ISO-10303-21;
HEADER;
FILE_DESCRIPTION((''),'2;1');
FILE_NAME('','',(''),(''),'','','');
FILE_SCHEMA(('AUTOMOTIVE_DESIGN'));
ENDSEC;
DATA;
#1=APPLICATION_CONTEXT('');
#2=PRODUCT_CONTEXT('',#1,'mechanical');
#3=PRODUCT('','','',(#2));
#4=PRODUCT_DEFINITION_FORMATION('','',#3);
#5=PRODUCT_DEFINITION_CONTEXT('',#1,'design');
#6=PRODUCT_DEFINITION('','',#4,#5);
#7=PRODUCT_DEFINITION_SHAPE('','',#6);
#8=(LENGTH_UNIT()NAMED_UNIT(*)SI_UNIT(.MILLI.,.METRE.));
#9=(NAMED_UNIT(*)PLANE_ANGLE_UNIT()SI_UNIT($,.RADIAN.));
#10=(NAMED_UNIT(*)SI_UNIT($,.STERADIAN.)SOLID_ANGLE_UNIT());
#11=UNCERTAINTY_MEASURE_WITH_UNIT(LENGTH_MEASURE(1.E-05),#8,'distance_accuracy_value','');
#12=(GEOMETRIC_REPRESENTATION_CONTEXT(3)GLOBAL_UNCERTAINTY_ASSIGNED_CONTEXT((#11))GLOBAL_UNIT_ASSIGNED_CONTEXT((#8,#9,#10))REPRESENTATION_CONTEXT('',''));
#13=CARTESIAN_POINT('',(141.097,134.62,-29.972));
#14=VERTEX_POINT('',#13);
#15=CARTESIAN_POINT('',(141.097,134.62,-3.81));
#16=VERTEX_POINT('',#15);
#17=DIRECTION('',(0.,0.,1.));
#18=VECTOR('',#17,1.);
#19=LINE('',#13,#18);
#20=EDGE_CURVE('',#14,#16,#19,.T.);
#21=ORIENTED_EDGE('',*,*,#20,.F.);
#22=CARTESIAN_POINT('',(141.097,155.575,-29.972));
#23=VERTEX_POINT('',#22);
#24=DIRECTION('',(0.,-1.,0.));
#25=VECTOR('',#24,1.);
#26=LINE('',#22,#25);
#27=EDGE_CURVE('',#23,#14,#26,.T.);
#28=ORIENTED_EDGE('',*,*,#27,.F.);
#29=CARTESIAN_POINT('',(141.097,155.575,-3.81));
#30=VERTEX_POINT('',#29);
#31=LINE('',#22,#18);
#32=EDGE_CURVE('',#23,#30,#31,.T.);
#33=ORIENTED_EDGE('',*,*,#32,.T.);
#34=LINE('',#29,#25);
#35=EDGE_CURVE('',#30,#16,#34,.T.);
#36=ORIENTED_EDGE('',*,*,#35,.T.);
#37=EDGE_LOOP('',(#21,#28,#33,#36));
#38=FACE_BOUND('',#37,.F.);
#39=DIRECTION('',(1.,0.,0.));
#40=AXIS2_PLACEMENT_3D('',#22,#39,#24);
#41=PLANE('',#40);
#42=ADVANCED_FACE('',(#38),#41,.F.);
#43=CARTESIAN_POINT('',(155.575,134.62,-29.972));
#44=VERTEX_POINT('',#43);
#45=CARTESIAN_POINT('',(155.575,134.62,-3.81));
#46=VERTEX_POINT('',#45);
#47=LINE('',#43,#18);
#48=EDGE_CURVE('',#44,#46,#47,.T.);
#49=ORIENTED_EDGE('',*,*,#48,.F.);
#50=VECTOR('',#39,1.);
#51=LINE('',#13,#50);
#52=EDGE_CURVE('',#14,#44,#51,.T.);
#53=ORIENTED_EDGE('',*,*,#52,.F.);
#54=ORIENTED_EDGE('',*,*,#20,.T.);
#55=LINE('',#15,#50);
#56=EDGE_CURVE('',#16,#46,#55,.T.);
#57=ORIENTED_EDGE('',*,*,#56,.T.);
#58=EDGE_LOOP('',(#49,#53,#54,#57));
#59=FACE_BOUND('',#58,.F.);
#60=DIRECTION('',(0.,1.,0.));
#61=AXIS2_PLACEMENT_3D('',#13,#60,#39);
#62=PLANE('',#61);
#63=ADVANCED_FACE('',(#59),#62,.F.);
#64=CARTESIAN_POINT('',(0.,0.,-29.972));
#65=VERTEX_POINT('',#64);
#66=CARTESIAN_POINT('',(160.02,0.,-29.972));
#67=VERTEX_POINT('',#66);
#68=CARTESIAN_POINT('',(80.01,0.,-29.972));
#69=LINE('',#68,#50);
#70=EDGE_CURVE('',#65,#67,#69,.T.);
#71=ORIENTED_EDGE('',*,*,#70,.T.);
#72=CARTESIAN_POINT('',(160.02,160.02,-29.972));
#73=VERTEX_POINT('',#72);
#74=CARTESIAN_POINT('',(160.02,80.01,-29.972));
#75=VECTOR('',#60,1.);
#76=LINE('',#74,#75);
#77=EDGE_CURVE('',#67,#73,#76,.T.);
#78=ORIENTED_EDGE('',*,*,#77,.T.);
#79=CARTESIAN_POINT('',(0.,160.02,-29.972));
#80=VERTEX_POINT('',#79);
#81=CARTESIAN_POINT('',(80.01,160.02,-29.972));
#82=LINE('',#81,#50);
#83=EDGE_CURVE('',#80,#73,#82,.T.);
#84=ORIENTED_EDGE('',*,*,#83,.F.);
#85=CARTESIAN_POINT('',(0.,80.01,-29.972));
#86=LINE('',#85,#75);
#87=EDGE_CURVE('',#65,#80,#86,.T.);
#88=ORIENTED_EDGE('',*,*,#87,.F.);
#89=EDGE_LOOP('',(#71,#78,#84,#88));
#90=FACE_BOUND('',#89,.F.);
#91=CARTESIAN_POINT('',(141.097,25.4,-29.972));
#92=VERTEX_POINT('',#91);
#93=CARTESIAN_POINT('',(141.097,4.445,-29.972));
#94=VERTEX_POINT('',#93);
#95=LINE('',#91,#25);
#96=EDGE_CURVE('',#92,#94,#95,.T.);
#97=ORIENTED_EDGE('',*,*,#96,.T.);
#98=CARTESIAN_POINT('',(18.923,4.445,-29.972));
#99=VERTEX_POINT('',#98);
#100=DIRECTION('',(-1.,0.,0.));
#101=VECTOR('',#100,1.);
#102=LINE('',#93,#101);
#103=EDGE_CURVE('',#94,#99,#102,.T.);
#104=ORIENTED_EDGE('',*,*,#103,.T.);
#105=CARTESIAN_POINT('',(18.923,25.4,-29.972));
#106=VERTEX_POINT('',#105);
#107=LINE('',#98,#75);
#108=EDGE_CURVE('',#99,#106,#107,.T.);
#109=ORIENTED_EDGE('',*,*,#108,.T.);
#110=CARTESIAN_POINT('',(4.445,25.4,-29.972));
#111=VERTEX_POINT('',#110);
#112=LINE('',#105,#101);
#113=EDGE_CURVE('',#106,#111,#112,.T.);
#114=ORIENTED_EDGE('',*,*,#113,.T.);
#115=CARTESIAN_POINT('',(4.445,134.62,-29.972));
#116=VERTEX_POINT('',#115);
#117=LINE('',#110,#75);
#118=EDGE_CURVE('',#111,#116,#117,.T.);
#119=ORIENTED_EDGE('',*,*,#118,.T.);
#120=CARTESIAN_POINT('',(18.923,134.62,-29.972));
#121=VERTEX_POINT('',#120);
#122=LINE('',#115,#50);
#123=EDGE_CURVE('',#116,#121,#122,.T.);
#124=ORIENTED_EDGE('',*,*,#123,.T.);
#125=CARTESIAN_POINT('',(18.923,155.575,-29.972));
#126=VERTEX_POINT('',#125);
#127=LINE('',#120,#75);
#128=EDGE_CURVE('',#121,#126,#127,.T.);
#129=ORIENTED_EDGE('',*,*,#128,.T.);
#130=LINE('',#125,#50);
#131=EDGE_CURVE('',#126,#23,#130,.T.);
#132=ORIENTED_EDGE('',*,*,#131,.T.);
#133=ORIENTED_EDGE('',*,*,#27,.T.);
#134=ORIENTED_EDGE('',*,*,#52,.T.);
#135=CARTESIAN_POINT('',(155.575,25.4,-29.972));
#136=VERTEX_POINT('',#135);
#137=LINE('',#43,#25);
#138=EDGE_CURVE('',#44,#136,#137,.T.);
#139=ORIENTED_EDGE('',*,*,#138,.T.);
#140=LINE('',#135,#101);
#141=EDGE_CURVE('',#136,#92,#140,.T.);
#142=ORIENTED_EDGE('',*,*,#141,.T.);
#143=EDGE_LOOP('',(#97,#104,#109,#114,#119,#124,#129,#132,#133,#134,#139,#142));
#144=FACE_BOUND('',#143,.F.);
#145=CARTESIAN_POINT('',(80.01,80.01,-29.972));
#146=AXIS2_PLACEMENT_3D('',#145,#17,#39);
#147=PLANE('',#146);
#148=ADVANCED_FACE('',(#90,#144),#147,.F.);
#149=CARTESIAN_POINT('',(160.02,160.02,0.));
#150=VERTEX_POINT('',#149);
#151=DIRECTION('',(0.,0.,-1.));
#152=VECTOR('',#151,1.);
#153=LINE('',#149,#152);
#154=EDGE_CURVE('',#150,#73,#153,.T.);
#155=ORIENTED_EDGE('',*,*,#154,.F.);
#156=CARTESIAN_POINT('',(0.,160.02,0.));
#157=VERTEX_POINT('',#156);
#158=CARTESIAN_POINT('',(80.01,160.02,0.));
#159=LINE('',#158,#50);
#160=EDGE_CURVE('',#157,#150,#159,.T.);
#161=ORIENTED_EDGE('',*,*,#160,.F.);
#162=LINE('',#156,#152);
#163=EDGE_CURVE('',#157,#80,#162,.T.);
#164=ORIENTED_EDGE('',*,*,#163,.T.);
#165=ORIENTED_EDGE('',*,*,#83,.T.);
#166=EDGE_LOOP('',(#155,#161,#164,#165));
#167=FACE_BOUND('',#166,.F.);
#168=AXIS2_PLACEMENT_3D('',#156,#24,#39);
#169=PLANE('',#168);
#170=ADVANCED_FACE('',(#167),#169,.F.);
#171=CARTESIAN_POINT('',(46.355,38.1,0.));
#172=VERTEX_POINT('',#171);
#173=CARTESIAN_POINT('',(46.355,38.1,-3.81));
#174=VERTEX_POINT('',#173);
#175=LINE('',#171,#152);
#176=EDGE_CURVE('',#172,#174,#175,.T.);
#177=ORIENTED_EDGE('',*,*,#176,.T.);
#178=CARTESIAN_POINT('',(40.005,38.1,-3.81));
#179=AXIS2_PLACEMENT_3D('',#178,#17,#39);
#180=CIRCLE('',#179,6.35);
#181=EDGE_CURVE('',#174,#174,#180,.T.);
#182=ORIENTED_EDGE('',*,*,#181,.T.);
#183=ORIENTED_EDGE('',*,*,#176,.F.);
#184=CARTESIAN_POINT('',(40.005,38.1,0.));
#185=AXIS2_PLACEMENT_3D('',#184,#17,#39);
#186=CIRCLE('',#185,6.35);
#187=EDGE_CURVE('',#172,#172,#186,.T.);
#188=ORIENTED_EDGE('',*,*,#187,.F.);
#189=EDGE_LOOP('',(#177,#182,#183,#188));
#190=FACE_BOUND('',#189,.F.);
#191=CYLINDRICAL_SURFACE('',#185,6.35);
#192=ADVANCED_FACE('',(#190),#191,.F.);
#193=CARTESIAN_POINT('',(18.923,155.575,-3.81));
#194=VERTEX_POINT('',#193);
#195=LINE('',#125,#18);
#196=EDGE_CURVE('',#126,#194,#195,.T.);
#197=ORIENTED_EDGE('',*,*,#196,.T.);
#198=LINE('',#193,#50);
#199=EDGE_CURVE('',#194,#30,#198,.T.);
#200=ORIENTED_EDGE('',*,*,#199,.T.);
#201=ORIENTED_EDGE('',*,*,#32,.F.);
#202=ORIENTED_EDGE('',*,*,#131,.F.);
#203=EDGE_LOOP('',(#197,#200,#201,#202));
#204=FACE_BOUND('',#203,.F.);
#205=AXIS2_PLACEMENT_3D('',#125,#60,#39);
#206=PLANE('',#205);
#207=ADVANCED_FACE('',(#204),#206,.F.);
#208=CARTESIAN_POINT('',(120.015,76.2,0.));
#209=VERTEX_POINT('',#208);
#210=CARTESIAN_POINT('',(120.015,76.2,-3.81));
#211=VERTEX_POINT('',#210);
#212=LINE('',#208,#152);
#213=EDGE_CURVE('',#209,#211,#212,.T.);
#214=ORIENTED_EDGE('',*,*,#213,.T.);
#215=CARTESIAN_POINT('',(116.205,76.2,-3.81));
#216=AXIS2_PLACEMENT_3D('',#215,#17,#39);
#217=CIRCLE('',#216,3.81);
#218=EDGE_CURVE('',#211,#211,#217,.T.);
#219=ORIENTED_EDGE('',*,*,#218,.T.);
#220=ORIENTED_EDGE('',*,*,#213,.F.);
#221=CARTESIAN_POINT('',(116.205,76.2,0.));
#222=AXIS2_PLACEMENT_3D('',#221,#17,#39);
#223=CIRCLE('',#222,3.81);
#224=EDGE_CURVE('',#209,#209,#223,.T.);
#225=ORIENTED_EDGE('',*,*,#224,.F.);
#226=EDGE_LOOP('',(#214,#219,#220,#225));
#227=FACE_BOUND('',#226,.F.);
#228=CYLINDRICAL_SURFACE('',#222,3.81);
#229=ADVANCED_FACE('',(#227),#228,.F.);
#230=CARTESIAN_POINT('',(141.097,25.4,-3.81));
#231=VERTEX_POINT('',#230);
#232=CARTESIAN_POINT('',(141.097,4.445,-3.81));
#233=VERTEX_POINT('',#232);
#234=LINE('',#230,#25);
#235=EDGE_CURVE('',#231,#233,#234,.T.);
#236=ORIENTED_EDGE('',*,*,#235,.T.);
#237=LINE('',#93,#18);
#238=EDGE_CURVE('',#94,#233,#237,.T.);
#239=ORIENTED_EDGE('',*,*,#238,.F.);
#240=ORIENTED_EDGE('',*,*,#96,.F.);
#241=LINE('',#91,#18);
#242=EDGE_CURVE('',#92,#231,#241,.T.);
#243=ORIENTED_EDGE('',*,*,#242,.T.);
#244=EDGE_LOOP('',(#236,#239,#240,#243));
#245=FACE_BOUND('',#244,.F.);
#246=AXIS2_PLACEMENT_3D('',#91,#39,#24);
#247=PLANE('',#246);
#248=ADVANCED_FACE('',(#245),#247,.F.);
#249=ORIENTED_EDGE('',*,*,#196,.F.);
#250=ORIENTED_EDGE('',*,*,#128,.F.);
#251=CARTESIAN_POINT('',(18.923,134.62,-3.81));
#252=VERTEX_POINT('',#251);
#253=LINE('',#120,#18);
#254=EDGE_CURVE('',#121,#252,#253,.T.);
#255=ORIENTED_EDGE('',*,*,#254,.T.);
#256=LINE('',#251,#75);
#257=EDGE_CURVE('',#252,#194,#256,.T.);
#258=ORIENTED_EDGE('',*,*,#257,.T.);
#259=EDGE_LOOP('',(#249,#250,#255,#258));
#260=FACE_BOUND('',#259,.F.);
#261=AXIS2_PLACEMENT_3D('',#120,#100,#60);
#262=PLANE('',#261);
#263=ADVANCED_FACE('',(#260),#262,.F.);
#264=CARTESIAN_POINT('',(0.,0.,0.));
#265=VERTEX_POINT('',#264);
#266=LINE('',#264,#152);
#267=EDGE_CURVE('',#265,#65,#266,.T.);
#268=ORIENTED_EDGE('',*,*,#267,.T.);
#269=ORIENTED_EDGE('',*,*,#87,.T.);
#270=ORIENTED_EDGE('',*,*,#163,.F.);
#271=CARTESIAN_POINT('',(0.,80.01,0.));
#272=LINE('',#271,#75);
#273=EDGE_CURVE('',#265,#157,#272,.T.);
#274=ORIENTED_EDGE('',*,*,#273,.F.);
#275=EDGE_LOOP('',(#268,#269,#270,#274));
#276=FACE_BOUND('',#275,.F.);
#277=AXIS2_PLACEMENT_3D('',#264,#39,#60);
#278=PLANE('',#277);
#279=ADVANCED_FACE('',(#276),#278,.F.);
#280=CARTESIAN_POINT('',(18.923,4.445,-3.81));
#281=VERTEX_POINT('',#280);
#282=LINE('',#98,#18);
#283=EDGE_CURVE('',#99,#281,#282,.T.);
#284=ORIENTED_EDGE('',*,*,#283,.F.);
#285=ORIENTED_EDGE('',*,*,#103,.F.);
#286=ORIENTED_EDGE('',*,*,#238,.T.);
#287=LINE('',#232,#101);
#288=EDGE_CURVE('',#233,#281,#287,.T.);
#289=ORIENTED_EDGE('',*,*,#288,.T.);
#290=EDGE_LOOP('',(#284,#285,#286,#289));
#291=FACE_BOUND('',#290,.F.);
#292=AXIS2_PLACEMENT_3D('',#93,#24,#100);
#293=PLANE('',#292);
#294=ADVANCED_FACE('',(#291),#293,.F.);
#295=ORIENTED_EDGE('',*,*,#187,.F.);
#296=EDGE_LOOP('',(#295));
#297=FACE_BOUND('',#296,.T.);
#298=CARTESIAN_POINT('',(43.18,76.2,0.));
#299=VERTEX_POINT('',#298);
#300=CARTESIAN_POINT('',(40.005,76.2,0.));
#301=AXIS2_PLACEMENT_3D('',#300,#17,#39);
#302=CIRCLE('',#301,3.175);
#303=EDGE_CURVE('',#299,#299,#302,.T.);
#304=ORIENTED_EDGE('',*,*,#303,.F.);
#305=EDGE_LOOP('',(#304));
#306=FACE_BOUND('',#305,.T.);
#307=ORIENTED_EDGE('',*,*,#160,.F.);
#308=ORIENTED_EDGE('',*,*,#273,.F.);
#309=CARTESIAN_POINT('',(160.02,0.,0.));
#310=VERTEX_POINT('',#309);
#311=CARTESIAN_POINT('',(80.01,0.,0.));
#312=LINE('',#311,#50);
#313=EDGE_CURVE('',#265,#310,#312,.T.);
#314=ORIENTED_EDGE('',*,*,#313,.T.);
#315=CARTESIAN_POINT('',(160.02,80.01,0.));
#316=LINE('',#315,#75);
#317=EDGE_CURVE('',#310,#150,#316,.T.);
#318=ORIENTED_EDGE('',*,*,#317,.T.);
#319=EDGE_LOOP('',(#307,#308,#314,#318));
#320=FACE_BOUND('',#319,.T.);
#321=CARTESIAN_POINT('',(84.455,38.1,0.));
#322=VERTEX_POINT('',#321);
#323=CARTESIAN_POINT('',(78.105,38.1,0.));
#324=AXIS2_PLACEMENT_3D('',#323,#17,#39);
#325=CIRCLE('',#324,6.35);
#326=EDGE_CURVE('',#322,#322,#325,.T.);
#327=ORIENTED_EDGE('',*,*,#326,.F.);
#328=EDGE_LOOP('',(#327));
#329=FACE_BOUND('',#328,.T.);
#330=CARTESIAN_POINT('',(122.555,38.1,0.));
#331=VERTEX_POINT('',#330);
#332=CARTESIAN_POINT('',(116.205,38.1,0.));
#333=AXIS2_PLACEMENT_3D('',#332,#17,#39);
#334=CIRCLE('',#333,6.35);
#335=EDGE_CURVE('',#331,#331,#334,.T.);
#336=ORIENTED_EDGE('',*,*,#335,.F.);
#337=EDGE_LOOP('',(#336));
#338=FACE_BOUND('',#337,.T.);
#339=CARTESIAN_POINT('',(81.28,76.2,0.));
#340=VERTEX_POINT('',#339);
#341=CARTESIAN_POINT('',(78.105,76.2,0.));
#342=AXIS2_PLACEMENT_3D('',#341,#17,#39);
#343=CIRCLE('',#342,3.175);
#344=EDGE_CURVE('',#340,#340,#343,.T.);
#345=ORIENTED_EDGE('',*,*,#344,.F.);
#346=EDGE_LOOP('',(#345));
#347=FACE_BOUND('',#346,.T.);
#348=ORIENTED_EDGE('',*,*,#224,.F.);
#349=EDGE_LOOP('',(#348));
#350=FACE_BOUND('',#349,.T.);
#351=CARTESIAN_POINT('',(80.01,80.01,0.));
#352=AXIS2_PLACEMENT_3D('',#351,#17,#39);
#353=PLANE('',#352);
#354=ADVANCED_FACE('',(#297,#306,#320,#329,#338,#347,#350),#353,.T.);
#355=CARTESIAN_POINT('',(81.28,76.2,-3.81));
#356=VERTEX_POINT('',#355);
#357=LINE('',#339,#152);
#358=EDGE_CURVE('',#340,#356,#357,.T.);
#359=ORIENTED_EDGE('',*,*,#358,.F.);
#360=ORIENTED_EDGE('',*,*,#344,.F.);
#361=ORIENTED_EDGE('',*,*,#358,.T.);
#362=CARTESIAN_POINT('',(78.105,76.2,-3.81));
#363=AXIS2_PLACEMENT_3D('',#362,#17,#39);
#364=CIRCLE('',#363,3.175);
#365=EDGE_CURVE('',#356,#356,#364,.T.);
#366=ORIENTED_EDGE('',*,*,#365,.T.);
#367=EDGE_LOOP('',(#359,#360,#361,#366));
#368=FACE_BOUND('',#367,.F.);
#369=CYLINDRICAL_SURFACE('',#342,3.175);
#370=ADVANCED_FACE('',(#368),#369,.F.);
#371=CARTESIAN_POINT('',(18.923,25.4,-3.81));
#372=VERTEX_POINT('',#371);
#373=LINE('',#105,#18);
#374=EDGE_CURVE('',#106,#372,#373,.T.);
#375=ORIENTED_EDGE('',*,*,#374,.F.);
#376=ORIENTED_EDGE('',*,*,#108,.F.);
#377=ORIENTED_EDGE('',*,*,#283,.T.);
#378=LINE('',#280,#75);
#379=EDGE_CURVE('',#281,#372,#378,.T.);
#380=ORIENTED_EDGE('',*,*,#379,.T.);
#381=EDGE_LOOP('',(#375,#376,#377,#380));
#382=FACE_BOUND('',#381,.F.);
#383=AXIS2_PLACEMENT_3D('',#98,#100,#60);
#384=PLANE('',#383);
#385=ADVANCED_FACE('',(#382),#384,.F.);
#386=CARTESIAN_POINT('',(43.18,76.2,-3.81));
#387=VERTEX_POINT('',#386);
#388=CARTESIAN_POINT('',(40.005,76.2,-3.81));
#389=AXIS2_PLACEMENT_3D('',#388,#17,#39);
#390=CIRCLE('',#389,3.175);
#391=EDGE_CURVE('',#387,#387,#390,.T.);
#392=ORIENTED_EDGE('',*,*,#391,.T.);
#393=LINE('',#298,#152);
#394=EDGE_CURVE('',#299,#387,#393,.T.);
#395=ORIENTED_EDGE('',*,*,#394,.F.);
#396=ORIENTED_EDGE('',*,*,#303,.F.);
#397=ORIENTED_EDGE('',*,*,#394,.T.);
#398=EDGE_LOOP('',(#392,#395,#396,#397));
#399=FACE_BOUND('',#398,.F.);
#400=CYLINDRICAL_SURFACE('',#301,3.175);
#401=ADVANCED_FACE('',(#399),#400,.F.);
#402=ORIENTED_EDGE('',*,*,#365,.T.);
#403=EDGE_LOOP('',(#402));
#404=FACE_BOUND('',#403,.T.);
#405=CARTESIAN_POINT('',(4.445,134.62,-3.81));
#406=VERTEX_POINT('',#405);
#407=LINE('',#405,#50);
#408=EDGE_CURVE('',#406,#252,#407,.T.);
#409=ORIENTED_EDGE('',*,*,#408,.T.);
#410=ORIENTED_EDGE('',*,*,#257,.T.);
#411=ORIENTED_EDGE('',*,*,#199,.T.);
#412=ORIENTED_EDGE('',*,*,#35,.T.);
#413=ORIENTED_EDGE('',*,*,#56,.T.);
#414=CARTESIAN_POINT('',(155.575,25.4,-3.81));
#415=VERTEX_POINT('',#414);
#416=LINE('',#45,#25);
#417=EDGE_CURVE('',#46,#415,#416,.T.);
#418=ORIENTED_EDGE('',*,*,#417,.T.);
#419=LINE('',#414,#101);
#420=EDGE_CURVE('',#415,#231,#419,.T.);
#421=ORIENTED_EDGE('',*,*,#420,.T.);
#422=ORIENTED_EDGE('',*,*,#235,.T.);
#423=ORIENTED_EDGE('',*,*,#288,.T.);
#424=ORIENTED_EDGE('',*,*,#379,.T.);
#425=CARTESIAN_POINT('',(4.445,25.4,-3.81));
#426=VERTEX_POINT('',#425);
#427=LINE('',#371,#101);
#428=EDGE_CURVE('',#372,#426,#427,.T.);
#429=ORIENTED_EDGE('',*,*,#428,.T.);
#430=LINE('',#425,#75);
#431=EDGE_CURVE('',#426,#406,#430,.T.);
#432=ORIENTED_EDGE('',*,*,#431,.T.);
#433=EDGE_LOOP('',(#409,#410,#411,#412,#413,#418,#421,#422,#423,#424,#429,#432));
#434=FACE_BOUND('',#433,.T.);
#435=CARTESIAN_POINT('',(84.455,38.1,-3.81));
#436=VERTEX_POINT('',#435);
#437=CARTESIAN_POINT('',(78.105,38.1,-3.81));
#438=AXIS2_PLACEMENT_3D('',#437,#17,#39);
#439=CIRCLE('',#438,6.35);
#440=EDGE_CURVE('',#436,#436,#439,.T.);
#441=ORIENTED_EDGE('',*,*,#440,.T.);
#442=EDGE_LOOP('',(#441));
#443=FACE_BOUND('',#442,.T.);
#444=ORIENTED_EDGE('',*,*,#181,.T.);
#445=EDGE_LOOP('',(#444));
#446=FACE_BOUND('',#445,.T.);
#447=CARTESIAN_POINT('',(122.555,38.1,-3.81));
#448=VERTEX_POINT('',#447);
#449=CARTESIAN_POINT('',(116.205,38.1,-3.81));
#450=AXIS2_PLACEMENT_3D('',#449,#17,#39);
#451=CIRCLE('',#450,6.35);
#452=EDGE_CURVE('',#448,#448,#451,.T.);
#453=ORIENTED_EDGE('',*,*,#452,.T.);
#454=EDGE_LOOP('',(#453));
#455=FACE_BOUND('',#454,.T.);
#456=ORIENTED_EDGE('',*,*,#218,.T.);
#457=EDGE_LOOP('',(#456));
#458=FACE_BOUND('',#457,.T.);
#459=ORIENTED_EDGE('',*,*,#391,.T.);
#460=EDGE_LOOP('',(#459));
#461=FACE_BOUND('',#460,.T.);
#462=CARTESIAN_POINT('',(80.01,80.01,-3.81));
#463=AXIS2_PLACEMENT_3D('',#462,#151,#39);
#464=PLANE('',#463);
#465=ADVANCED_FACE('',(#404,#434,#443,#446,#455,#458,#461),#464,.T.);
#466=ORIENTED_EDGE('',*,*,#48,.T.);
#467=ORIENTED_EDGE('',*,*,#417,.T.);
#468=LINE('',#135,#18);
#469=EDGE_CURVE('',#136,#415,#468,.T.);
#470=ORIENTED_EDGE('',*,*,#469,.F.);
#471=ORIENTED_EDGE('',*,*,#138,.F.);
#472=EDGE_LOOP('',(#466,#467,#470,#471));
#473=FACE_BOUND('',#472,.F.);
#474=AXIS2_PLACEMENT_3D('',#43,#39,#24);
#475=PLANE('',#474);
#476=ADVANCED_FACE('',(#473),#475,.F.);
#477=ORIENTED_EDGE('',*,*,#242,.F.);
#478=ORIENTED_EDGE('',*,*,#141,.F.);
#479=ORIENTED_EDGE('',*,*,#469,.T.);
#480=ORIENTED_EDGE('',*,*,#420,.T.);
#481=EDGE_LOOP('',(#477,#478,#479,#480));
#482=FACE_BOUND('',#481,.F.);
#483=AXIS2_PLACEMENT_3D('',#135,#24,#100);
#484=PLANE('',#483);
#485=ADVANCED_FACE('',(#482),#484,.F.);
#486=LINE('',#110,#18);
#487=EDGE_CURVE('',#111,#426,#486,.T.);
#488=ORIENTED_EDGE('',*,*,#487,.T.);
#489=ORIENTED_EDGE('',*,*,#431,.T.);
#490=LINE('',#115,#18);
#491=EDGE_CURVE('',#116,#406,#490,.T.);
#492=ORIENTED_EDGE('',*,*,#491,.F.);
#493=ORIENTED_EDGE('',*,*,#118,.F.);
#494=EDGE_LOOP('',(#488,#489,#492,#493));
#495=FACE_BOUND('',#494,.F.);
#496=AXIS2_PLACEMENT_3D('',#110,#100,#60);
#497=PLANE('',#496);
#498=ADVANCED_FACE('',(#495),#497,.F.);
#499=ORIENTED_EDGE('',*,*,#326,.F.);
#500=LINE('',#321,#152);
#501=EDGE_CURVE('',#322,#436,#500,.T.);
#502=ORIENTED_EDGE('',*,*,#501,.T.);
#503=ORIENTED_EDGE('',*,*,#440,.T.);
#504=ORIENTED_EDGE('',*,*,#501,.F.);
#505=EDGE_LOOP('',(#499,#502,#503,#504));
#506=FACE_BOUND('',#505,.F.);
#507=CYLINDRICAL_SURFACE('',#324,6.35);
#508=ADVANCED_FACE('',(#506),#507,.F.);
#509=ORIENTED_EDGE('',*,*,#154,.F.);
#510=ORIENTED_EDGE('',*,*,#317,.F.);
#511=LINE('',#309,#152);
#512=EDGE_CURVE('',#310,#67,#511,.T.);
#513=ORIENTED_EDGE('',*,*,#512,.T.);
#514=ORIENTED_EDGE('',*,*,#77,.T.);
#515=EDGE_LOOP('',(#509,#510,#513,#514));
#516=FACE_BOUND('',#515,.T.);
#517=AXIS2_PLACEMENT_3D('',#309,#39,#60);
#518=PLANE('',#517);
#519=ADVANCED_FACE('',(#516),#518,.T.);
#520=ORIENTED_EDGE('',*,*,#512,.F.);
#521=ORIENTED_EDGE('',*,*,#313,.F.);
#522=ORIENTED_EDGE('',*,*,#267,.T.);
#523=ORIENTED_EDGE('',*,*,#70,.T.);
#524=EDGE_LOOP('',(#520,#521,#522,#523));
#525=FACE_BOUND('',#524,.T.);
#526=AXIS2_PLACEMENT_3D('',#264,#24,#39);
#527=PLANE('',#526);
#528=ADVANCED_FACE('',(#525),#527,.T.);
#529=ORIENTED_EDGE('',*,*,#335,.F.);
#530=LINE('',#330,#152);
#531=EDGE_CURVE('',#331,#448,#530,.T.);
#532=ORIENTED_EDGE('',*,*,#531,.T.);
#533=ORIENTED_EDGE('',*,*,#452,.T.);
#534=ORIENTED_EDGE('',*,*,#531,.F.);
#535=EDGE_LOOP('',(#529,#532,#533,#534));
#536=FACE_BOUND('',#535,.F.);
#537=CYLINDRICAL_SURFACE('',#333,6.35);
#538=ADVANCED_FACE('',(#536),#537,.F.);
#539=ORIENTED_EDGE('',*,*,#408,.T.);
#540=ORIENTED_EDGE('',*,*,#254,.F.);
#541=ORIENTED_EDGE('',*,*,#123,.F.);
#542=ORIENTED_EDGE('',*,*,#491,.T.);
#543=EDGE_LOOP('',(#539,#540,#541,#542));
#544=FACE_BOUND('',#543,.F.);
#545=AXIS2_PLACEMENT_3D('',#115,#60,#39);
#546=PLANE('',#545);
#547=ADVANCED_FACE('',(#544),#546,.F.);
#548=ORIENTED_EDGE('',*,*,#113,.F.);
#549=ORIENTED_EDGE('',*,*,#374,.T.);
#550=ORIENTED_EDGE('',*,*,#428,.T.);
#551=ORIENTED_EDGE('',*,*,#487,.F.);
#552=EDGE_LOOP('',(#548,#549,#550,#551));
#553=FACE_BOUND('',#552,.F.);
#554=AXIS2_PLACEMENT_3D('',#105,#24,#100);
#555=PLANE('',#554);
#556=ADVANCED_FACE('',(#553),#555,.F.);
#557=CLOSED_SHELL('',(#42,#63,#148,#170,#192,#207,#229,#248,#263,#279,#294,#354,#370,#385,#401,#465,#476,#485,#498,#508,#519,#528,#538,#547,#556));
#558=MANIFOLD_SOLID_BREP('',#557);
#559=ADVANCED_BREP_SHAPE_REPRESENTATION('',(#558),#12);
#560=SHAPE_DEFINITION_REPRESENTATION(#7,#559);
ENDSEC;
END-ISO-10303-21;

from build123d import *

# Parameters (mm, degrees)
F0_W     = 160.02
F0_H     = 160.02
F1_DEPTH = 29.972
F3_DEPTH = 26.162
F4_R     = 6.35
F4_R_2   = 3.81
F4_R_3   = 3.175
F5_DEPTH = 6.35


with BuildPart() as f1:
    # F0 (on Top) → F1 (new body)
    with BuildSketch(Plane.XY):
        with Locations((80.01, 80.01)):
            Rectangle(F0_W, F0_H)
    extrude(amount=-F1_DEPTH)

    # F2 (on face) → F3 (cut)
    with BuildSketch(Plane(origin=(0, 0, -29.972), x_dir=(1, 0, 0), z_dir=(0, 0, -1))):
        Polygon((18.923, -25.4), (4.445, -25.4), (4.445, -134.62), (18.923, -134.62), (18.923, -155.575), (141.097, -155.575), (141.097, -134.62), (155.575, -134.62), (155.575, -25.4), (141.097, -25.4), (141.097, -4.445), (18.923, -4.445), align=None)
    extrude(amount=-F3_DEPTH, mode=Mode.SUBTRACT)

    # F4 (on face) → F5 (cut)
    with BuildSketch(Plane.XY):
        with Locations((40.005, 38.1)):
            Circle(F4_R)
        with Locations((78.105, 38.1)):
            Circle(F4_R)
        with Locations((116.205, 38.1)):
            Circle(F4_R)
        with Locations((116.205, 76.2)):
            Circle(F4_R_2)
        with Locations((78.105, 76.2)):
            Circle(F4_R_3)
        with Locations((40.005, 76.2)):
            Circle(F4_R_3)
    extrude(amount=-F5_DEPTH, mode=Mode.SUBTRACT)


solid = f1.part
